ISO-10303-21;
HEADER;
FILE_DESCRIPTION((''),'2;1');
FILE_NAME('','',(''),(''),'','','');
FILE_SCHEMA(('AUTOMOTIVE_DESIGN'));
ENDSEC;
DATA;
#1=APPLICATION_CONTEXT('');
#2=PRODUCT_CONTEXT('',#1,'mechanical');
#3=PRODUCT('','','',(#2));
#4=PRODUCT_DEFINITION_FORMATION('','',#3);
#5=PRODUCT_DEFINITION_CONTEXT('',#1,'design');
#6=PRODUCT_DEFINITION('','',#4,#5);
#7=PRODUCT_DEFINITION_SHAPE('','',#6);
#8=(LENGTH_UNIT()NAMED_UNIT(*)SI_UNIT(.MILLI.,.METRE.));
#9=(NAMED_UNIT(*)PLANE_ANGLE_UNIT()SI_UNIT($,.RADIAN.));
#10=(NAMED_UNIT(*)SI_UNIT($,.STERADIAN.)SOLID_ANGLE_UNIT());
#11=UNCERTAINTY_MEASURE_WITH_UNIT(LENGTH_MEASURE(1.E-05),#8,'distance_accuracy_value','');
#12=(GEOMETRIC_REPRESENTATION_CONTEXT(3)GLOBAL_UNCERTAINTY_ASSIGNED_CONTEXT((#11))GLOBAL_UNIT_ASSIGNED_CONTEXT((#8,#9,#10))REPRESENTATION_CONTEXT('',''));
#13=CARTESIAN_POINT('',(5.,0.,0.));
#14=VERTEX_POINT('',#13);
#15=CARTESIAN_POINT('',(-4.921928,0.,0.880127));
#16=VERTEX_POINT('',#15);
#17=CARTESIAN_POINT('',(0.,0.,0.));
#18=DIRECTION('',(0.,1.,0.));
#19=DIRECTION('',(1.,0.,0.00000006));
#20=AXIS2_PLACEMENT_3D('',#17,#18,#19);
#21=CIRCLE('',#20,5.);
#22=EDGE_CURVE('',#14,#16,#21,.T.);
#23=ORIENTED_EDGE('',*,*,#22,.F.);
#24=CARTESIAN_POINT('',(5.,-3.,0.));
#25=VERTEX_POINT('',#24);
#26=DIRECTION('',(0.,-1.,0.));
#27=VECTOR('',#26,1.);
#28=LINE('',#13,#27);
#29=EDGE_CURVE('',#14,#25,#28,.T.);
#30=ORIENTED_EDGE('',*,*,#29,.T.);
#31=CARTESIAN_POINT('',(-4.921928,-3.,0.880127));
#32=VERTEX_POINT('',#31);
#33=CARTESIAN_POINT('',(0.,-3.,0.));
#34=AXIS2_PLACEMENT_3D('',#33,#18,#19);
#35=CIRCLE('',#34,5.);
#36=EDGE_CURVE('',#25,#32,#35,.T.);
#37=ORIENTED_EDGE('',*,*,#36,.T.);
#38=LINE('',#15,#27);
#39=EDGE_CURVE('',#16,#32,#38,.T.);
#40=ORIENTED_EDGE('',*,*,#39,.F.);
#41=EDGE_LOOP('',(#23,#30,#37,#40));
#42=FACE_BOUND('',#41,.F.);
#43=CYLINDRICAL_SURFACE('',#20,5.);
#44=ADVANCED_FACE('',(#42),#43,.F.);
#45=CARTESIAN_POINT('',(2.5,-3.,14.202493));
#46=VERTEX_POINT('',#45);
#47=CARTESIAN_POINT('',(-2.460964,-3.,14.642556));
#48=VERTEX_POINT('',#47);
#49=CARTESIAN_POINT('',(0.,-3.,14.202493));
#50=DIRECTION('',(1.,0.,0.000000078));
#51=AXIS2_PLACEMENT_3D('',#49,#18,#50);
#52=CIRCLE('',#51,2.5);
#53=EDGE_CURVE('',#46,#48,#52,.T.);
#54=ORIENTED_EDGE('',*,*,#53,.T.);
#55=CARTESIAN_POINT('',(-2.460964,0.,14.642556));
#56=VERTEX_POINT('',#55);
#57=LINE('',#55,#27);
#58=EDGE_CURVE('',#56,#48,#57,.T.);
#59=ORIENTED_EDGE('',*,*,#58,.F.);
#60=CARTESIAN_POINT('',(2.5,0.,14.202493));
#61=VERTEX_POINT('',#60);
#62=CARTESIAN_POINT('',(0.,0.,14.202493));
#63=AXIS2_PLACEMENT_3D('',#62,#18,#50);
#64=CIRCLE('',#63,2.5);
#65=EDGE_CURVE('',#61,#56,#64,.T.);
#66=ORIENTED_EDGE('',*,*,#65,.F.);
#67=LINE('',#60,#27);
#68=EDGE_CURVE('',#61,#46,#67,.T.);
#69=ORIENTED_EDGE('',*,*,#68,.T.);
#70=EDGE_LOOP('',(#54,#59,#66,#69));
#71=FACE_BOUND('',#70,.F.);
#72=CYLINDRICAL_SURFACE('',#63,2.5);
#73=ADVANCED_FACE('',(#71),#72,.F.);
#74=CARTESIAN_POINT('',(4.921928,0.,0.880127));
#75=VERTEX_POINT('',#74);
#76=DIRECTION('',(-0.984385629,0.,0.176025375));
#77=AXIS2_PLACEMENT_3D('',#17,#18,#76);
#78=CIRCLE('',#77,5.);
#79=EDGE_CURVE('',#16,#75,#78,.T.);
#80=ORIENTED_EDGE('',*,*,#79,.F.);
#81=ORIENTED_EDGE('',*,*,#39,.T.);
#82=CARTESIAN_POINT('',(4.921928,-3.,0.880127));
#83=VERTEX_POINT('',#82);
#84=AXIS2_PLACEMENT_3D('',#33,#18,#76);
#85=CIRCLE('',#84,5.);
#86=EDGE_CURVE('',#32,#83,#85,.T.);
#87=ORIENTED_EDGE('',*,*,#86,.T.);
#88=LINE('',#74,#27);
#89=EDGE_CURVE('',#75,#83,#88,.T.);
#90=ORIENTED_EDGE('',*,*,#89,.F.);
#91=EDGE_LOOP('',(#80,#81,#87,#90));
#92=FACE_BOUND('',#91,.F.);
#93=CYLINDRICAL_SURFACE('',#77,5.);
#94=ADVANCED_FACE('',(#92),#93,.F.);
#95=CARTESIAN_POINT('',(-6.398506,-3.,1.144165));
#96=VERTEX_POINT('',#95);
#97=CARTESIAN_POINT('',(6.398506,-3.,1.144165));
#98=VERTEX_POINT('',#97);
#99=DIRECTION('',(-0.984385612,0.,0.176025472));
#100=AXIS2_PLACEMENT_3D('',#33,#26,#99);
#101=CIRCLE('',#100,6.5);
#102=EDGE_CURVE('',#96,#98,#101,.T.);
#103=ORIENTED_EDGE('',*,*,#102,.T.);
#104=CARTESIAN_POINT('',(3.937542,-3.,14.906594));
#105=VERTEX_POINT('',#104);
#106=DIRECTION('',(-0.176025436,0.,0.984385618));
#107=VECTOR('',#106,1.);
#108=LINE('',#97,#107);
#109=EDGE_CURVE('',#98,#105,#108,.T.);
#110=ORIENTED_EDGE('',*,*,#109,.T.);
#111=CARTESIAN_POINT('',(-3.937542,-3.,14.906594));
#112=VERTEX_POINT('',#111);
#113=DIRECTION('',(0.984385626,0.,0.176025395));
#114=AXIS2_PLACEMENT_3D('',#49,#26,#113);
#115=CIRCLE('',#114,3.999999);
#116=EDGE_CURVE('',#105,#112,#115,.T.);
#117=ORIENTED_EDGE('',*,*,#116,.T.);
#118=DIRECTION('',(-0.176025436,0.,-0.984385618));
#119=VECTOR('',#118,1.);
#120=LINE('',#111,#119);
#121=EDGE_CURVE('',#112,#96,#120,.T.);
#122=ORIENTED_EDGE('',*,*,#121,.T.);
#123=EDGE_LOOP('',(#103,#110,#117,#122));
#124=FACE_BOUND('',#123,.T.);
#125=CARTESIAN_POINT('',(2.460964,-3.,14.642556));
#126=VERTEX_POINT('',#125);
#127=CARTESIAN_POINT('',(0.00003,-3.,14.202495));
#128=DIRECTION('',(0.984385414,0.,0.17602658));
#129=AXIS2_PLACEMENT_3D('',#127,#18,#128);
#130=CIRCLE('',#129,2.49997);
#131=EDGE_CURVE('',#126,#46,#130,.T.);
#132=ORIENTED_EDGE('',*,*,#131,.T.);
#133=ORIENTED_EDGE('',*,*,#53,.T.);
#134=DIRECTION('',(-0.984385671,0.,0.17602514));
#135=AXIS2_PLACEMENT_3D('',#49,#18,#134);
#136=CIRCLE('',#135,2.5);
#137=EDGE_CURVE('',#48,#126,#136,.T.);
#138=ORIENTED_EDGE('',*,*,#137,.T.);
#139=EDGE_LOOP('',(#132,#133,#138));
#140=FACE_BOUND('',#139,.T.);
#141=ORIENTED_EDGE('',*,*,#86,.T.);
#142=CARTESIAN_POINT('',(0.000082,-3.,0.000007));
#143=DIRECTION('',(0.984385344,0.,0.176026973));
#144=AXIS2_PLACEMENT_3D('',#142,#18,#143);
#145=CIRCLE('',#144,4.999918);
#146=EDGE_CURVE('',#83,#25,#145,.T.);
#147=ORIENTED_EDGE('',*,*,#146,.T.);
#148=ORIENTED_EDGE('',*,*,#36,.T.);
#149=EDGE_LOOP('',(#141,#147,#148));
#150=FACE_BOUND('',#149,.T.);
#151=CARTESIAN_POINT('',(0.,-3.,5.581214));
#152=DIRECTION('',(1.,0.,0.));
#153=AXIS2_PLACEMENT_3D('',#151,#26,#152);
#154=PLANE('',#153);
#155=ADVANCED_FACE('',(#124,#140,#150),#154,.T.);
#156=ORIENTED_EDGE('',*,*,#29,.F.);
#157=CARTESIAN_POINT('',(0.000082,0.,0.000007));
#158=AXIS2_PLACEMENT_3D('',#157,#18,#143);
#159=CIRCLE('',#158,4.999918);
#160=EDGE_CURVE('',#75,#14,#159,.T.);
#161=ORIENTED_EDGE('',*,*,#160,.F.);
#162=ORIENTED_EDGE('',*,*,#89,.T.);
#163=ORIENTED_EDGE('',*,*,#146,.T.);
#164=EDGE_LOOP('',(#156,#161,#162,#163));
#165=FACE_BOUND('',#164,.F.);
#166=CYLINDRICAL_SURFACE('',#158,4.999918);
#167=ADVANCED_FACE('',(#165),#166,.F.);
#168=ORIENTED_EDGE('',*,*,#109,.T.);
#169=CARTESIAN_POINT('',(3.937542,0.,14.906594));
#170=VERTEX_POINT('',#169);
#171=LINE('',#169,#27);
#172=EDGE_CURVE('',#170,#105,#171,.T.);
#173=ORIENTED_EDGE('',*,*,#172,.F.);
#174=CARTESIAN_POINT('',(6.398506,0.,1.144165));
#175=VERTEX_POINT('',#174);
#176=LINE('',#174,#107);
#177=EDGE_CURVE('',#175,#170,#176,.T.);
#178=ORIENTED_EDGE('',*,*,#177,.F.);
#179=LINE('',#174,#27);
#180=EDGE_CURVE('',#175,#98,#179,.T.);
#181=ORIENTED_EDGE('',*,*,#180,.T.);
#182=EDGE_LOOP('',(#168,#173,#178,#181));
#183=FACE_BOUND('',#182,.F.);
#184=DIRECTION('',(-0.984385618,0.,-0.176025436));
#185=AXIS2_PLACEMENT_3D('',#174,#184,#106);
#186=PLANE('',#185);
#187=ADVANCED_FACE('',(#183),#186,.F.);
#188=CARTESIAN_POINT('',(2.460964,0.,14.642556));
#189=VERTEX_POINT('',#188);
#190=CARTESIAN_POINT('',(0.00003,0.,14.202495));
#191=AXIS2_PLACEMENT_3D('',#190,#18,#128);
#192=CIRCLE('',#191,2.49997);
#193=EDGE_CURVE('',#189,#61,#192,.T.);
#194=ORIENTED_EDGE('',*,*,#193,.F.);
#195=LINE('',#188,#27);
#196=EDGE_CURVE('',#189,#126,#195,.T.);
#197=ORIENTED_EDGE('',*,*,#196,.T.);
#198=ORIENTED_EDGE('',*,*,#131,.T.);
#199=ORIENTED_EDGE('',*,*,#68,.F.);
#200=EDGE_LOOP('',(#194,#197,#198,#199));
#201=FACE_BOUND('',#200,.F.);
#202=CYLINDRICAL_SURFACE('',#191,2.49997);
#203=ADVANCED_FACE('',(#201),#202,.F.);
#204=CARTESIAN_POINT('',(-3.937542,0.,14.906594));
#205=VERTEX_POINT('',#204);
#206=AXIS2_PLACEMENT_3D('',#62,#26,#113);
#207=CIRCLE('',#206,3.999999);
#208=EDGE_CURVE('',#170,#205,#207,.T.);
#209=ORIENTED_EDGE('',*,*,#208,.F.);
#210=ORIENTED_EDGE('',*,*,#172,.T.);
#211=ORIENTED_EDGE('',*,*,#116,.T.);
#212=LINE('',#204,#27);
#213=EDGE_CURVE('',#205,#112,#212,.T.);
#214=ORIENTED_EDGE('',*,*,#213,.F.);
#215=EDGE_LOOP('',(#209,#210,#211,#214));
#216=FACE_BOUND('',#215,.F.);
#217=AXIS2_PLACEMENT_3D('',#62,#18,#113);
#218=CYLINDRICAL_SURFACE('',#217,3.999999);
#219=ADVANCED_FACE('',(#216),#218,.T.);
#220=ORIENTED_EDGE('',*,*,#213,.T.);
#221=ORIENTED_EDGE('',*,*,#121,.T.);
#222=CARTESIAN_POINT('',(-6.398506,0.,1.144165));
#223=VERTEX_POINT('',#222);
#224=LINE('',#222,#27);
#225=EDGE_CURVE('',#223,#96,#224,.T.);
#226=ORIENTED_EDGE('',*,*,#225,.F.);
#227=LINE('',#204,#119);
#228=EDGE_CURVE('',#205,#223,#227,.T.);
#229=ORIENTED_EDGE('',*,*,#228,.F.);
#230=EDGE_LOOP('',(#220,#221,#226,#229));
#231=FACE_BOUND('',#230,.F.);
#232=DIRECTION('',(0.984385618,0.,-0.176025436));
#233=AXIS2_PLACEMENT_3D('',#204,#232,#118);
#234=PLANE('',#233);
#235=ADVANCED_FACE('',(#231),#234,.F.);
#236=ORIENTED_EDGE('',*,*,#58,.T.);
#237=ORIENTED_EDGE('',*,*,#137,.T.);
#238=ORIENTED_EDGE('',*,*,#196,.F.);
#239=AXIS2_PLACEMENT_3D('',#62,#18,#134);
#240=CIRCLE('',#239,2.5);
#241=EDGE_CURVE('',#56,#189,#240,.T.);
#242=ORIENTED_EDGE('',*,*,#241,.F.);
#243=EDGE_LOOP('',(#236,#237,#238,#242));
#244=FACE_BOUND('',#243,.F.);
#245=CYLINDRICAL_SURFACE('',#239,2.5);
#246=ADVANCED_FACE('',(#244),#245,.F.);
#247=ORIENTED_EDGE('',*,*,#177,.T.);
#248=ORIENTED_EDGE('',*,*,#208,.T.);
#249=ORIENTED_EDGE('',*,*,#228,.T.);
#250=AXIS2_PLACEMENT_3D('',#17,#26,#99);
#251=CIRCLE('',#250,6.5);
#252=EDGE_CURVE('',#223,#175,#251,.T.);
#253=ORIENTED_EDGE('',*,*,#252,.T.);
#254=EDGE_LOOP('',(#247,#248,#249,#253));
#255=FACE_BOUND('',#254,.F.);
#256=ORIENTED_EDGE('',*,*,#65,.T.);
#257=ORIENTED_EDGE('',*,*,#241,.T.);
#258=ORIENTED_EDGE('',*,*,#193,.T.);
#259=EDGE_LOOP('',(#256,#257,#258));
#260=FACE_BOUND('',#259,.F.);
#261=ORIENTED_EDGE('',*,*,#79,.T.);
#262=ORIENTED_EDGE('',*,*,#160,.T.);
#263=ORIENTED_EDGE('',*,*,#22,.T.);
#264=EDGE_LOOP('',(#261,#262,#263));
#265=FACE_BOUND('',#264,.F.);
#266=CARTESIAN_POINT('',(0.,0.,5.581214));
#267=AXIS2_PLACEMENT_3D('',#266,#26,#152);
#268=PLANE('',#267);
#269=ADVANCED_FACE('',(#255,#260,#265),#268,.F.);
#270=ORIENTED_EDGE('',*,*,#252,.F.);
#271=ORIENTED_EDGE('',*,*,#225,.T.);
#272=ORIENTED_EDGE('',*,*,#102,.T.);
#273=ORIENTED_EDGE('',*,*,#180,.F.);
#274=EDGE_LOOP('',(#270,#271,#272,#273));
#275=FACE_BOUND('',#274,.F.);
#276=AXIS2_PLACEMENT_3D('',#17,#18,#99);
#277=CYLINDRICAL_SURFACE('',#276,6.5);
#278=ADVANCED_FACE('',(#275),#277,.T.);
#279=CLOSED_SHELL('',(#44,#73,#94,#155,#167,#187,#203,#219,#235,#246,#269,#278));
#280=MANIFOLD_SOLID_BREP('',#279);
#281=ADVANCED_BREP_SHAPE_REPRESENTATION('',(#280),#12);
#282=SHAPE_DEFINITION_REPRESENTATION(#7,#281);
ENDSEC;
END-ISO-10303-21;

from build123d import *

# Parameters (mm, degrees)
F1_DEPTH = 3


with BuildPart() as f1:
    # F0 (on Front) → F1 (new body)
    with BuildSketch(Plane.XZ):
        with BuildLine():
            Line((6.398506, 1.144165), (3.937542, 14.906594))
            ThreePointArc((3.937542, 14.906594), (0, 18.202492), (-3.937542, 14.906594))
            Line((-3.937542, 14.906594), (-6.398506, 1.144165))
            ThreePointArc((-6.398506, 1.144165), (0, -6.5), (6.398506, 1.144165))
        make_face()
        with BuildLine():
            ThreePointArc((4.921928, 0.880127), (4.980444, 0.441792), (5, 0))
            ThreePointArc((5, 0), (-0.441792, -4.980444), (-4.921928, 0.880127))
            ThreePointArc((-4.921928, 0.880127), (0, 5), (4.921928, 0.880127))
        make_face(mode=Mode.SUBTRACT)
        with BuildLine():
            ThreePointArc((2.460964, 14.642556), (2.490222, 14.423388), (2.5, 14.202493))
            ThreePointArc((2.5, 14.202493), (-0.220896, 11.712271), (-2.460964, 14.642556))
            ThreePointArc((-2.460964, 14.642556), (0, 16.702493), (2.460964, 14.642556))
        make_face(mode=Mode.SUBTRACT)
    extrude(amount=F1_DEPTH)


solid = f1.part
